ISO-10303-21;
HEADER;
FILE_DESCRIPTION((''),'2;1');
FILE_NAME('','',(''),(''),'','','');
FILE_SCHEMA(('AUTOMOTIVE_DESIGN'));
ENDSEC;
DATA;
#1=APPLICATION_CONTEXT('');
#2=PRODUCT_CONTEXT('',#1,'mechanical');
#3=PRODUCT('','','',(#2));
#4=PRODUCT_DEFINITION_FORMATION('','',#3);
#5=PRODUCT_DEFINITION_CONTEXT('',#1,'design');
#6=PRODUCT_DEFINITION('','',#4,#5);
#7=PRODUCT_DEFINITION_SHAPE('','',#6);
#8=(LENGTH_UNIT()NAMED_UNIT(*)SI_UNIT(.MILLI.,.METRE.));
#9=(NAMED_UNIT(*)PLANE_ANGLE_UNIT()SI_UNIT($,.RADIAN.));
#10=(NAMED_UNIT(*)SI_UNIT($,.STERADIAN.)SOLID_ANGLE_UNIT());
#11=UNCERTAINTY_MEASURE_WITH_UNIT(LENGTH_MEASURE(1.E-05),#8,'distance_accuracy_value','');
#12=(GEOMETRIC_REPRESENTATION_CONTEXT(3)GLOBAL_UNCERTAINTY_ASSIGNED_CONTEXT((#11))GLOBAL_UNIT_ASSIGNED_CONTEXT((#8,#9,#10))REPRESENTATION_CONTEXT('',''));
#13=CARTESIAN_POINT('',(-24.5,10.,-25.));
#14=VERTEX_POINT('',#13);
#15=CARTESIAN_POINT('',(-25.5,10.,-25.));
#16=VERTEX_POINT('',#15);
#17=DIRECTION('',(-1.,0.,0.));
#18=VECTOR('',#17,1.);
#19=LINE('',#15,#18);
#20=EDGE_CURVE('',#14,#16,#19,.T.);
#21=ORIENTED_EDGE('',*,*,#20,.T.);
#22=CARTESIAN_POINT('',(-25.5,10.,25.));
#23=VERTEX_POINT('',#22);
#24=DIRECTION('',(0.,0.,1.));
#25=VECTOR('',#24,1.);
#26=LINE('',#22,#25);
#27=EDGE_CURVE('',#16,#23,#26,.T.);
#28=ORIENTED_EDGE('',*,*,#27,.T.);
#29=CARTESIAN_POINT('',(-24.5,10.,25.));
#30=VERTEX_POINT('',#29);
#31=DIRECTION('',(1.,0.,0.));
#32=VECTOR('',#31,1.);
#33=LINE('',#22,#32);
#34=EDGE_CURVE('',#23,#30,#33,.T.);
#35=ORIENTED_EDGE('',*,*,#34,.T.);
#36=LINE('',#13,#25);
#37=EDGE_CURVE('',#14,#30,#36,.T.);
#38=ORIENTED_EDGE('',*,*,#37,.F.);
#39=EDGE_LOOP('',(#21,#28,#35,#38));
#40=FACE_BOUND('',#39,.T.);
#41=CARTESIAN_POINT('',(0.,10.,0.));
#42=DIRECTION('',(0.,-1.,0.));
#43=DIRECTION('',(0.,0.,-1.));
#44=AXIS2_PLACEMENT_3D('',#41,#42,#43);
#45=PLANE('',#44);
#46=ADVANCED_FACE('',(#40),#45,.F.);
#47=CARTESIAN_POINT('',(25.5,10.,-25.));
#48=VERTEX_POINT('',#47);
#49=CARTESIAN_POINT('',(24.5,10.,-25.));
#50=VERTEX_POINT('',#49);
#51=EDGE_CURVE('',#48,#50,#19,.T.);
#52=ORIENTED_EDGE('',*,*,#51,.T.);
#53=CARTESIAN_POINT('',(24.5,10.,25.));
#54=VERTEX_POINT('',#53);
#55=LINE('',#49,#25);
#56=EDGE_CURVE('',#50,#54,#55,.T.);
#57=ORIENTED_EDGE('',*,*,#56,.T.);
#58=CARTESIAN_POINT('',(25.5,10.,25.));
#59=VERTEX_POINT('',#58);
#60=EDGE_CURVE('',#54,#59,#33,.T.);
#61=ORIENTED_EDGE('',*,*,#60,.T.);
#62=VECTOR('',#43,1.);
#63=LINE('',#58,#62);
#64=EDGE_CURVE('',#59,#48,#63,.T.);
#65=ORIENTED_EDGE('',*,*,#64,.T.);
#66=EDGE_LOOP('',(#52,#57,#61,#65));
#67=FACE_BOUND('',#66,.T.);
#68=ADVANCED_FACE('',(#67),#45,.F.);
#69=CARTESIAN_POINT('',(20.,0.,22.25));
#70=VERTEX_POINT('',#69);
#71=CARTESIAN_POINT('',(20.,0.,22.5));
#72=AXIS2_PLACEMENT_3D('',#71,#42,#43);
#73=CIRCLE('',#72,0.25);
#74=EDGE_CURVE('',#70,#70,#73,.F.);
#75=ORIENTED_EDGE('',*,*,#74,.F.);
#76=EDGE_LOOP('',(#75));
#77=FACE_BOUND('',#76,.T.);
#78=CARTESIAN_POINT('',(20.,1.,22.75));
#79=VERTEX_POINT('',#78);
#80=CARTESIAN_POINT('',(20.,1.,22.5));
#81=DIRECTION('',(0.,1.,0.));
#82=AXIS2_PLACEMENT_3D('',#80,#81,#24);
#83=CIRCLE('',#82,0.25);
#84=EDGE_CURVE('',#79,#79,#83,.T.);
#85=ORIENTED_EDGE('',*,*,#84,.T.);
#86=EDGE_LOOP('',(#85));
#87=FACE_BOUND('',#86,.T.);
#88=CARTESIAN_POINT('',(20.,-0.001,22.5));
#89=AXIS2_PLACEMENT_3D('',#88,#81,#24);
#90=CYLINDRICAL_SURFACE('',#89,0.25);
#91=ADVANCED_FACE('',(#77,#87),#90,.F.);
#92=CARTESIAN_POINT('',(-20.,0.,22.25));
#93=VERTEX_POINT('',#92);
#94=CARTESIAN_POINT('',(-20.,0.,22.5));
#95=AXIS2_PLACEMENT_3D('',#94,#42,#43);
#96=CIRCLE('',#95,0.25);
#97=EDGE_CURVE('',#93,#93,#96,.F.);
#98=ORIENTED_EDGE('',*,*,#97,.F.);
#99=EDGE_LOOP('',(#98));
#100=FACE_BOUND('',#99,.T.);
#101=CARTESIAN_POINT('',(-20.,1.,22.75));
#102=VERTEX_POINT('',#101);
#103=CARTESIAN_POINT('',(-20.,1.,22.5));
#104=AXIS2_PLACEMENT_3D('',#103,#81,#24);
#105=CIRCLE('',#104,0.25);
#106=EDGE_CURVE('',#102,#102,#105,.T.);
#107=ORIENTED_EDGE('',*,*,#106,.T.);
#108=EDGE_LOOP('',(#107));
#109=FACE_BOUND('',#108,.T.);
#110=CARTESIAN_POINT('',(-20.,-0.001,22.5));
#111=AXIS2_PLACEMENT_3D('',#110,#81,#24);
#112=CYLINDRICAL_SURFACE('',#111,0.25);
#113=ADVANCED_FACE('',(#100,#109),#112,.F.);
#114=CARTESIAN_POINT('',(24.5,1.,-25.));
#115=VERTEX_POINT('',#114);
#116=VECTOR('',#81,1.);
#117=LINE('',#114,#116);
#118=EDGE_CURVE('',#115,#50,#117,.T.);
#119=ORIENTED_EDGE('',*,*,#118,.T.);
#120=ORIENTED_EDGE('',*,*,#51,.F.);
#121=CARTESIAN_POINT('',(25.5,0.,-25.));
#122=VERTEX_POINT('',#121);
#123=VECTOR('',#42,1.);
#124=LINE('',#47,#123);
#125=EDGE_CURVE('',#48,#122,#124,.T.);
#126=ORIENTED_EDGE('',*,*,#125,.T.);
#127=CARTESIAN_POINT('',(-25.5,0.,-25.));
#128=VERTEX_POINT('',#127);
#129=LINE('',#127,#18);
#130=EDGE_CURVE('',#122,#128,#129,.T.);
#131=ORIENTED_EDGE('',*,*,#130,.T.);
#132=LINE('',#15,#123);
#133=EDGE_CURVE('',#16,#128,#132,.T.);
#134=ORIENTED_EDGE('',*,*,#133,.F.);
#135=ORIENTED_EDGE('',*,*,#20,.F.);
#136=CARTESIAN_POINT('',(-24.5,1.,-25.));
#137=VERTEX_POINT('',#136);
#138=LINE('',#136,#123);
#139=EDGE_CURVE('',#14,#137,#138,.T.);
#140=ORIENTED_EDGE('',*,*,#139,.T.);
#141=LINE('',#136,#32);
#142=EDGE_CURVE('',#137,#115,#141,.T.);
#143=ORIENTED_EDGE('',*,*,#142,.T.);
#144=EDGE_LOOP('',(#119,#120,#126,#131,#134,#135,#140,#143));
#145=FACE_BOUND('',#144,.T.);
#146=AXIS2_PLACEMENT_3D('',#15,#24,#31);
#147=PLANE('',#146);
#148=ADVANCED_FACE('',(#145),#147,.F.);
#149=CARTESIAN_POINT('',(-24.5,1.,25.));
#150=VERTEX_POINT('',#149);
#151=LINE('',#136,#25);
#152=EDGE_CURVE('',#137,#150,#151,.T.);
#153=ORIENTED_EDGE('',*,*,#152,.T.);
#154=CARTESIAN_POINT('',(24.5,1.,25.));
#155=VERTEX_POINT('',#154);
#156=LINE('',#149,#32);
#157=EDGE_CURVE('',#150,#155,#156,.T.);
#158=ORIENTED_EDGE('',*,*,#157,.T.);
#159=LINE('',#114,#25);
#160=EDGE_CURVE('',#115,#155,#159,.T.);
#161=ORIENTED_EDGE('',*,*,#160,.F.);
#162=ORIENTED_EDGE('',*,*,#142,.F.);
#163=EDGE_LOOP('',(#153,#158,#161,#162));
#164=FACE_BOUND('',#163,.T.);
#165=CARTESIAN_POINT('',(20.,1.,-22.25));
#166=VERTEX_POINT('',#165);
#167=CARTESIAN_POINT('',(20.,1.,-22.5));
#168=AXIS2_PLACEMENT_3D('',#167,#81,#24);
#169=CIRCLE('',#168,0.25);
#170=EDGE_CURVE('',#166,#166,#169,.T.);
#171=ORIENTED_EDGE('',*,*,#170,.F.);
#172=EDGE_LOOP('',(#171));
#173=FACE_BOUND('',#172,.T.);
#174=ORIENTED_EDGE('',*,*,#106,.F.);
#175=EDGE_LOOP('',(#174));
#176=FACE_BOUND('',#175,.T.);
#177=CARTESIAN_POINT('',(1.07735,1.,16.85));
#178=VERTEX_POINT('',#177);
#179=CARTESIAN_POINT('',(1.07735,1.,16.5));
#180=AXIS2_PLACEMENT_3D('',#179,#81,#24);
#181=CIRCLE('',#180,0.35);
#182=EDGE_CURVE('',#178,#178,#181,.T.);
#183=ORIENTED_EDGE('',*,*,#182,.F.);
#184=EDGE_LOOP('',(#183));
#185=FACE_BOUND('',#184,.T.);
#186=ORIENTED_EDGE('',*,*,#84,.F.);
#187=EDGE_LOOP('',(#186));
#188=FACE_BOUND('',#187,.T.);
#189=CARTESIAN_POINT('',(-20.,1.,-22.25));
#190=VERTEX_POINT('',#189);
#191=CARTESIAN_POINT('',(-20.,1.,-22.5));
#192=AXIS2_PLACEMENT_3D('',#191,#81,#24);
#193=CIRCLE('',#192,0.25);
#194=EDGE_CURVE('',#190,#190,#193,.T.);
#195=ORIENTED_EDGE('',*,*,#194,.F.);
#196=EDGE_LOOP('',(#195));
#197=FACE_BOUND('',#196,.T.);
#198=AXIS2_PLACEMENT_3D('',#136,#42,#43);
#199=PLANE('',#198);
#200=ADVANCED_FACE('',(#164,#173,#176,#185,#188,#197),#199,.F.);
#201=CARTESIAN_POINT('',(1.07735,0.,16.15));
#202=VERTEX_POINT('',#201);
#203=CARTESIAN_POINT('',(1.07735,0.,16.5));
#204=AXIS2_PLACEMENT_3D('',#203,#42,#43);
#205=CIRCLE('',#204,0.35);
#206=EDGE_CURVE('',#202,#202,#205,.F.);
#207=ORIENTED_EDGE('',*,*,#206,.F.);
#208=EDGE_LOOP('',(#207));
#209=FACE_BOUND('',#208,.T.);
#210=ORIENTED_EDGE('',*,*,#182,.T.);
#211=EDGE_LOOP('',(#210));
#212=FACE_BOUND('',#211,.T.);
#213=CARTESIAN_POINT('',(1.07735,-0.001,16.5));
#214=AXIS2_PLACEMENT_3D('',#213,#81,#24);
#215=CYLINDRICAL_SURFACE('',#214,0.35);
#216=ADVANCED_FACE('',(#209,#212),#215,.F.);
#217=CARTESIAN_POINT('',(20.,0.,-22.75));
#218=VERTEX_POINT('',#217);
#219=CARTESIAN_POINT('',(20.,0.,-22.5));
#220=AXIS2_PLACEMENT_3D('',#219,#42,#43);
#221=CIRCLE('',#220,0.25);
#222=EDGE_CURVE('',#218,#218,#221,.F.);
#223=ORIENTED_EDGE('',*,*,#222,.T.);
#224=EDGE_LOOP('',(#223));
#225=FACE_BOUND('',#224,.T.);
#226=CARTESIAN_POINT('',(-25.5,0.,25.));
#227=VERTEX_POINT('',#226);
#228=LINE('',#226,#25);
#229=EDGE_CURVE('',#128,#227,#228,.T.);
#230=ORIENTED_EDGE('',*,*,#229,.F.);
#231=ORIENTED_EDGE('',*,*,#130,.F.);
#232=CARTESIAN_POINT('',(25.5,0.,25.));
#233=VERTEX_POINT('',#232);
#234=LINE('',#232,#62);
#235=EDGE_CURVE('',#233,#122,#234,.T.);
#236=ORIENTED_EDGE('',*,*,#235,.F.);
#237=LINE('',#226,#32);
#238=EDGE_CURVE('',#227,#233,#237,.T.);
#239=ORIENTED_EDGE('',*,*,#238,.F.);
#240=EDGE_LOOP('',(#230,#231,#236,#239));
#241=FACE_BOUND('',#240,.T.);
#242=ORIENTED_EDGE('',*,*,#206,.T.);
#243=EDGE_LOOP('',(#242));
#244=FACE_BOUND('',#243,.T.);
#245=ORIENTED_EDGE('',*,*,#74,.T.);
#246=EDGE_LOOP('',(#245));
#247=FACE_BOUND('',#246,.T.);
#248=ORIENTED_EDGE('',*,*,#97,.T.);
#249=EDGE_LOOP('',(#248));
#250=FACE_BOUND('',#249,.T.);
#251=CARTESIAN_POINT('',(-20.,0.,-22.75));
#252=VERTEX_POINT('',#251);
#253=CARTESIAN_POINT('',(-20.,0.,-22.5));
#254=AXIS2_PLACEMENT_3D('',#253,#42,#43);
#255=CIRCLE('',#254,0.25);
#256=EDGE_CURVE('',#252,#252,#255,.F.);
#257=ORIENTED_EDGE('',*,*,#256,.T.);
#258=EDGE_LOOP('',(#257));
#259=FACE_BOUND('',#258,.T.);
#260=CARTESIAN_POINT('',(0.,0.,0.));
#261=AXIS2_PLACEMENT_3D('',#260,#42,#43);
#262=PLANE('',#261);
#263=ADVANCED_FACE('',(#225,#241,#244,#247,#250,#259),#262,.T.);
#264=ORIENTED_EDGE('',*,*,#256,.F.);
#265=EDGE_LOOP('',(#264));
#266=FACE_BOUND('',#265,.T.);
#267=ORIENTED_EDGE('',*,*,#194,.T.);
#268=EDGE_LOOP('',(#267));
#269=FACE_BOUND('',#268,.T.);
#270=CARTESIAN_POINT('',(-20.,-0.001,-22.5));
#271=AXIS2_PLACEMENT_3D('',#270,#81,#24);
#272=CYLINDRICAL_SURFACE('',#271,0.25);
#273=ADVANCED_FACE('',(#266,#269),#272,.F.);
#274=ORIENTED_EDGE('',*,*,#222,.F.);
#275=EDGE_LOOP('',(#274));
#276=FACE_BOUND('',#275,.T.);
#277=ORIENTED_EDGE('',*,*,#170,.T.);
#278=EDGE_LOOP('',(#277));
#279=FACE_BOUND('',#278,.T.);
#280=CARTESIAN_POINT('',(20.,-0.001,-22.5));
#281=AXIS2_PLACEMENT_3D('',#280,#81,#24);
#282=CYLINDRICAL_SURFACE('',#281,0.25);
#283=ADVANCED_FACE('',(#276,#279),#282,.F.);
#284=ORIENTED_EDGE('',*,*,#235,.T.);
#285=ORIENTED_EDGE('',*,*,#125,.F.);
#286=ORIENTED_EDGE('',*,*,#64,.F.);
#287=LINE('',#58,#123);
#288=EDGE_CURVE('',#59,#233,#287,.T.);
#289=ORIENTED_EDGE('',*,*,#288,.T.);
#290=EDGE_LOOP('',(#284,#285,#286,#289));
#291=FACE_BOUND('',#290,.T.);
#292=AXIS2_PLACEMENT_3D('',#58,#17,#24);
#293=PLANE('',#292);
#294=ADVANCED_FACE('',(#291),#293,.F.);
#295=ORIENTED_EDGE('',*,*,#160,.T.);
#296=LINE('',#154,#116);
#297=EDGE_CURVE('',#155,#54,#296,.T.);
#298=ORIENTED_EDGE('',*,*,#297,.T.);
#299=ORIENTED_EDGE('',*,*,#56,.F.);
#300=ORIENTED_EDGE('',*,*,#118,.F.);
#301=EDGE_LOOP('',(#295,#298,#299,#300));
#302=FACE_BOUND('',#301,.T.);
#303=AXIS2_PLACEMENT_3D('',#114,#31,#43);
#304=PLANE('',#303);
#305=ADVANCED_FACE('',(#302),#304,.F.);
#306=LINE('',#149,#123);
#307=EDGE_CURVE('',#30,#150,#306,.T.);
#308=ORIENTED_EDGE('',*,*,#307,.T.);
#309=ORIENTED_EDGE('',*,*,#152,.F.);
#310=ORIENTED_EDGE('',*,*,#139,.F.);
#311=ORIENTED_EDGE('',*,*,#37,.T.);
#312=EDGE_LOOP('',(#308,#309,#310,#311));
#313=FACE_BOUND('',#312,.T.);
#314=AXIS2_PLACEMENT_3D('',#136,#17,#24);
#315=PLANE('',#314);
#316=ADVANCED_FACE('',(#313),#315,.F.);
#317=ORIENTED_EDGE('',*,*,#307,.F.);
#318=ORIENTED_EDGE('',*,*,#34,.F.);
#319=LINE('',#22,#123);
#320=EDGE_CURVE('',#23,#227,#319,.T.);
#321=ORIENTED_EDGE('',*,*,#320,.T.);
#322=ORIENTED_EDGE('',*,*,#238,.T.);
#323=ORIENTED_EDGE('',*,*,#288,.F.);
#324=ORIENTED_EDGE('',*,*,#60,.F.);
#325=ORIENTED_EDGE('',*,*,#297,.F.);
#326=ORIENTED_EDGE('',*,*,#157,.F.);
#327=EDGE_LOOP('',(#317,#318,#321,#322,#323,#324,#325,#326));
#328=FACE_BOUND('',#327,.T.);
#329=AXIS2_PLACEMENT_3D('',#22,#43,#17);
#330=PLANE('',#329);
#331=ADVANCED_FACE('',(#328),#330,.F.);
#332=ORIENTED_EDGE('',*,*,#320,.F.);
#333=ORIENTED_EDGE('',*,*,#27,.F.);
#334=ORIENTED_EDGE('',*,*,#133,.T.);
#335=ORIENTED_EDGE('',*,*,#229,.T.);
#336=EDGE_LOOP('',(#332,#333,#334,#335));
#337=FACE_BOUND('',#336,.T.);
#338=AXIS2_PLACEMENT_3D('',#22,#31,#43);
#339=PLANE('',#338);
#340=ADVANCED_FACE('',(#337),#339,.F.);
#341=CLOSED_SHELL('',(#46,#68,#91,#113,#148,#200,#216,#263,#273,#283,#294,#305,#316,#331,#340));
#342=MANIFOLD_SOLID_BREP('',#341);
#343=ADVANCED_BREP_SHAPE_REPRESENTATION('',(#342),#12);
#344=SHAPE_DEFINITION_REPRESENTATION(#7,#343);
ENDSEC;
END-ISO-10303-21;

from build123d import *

# Parameters (mm, degrees)
CROQUIS2_W              = 51
CROQUIS2_H              = 50
SALIENTE_EXTRUIR3_DEPTH = 10
CROQUIS6_W              = 49
CROQUIS6_H              = 9
CORTAR_EXTRUIR4_DEPTH   = 50
CORTAR_EXTRUIR5_REACH   = 38.827
CROQUIS7_R              = 0.25
CORTAR_EXTRUIR7_REACH   = 38.827
CROQUIS10_R             = 0.25
CORTAR_EXTRUIR8_REACH   = 38.827
CROQUIS11_R             = 0.25
CORTAR_EXTRUIR9_REACH   = 38.827
CROQUIS12_R             = 0.25
CORTAR_EXTRUIR10_REACH  = 38.827
CROQUIS13_R             = 0.35


with BuildPart() as part:
    # Croquis2 → Saliente-Extruir3 (new body)
    with BuildSketch(Plane(origin=(0, 0, 0), x_dir=(1, 0, 0), z_dir=(0, 1, 0))):
        Rectangle(CROQUIS2_W, CROQUIS2_H)
    extrude(amount=SALIENTE_EXTRUIR3_DEPTH)

    # Croquis6 → Cortar-Extruir4 (cut)
    with BuildSketch(Plane.XY.offset(25)):
        with Locations((0, 5.5)):
            Rectangle(CROQUIS6_W, CROQUIS6_H)
    extrude(amount=-CORTAR_EXTRUIR4_DEPTH, mode=Mode.SUBTRACT)

    # Croquis7 → Cortar-Extruir5 (cut, up to next)
    with BuildSketch(Plane(origin=(0, 1, 0), x_dir=(1, 0, 0), z_dir=(0, 1, 0)), mode=Mode.PRIVATE) as cortar_extruir5_sk1:
        with Locations(Location((-20, 22.5, 0), (0, 0, 270))):
            Circle(CROQUIS7_R)
    cortar_extruir5_tool1 = extrude(cortar_extruir5_sk1.sketch, amount=-CORTAR_EXTRUIR5_REACH, mode=Mode.PRIVATE) & part.part
    add(cortar_extruir5_tool1.solids().sort_by_distance((-20, 1, -22.5))[0], mode=Mode.SUBTRACT)

    # Croquis10 → Cortar-Extruir7 (cut, up to next)
    with BuildSketch(Plane(origin=(0, 1, 0), x_dir=(1, 0, 0), z_dir=(0, 1, 0)), mode=Mode.PRIVATE) as cortar_extruir7_sk1:
        with Locations(Location((20, 22.5, 0), (0, 0, 270))):
            Circle(CROQUIS10_R)
    cortar_extruir7_tool1 = extrude(cortar_extruir7_sk1.sketch, amount=-CORTAR_EXTRUIR7_REACH, mode=Mode.PRIVATE) & part.part
    add(cortar_extruir7_tool1.solids().sort_by_distance((20, 1, -22.5))[0], mode=Mode.SUBTRACT)

    # Croquis11 → Cortar-Extruir8 (cut, up to next)
    with BuildSketch(Plane(origin=(0, 1, 0), x_dir=(1, 0, 0), z_dir=(0, 1, 0)), mode=Mode.PRIVATE) as cortar_extruir8_sk1:
        with Locations(Location((-20, -22.5, 0), (0, 0, 270))):
            Circle(CROQUIS11_R)
    cortar_extruir8_tool1 = extrude(cortar_extruir8_sk1.sketch, amount=-CORTAR_EXTRUIR8_REACH, mode=Mode.PRIVATE) & part.part
    add(cortar_extruir8_tool1.solids().sort_by_distance((-20, 1, 22.5))[0], mode=Mode.SUBTRACT)

    # Croquis12 → Cortar-Extruir9 (cut, up to next)
    with BuildSketch(Plane(origin=(0, 1, 0), x_dir=(1, 0, 0), z_dir=(0, 1, 0)), mode=Mode.PRIVATE) as cortar_extruir9_sk1:
        with Locations(Location((20, -22.5, 0), (0, 0, 270))):
            Circle(CROQUIS12_R)
    cortar_extruir9_tool1 = extrude(cortar_extruir9_sk1.sketch, amount=-CORTAR_EXTRUIR9_REACH, mode=Mode.PRIVATE) & part.part
    add(cortar_extruir9_tool1.solids().sort_by_distance((20, 1, 22.5))[0], mode=Mode.SUBTRACT)

    # Croquis13 → Cortar-Extruir10 (cut, up to next)
    with BuildSketch(Plane(origin=(0, 1, 0), x_dir=(1, 0, 0), z_dir=(0, 1, 0)), mode=Mode.PRIVATE) as cortar_extruir10_sk1:
        with Locations(Location((1.077350269, -16.5, 0), (0, 0, 270))):
            Circle(CROQUIS13_R)
    cortar_extruir10_tool1 = extrude(cortar_extruir10_sk1.sketch, amount=-CORTAR_EXTRUIR10_REACH, mode=Mode.PRIVATE) & part.part
    add(cortar_extruir10_tool1.solids().sort_by_distance((1.07735, 1, 16.5))[0], mode=Mode.SUBTRACT)


solid = part.part
